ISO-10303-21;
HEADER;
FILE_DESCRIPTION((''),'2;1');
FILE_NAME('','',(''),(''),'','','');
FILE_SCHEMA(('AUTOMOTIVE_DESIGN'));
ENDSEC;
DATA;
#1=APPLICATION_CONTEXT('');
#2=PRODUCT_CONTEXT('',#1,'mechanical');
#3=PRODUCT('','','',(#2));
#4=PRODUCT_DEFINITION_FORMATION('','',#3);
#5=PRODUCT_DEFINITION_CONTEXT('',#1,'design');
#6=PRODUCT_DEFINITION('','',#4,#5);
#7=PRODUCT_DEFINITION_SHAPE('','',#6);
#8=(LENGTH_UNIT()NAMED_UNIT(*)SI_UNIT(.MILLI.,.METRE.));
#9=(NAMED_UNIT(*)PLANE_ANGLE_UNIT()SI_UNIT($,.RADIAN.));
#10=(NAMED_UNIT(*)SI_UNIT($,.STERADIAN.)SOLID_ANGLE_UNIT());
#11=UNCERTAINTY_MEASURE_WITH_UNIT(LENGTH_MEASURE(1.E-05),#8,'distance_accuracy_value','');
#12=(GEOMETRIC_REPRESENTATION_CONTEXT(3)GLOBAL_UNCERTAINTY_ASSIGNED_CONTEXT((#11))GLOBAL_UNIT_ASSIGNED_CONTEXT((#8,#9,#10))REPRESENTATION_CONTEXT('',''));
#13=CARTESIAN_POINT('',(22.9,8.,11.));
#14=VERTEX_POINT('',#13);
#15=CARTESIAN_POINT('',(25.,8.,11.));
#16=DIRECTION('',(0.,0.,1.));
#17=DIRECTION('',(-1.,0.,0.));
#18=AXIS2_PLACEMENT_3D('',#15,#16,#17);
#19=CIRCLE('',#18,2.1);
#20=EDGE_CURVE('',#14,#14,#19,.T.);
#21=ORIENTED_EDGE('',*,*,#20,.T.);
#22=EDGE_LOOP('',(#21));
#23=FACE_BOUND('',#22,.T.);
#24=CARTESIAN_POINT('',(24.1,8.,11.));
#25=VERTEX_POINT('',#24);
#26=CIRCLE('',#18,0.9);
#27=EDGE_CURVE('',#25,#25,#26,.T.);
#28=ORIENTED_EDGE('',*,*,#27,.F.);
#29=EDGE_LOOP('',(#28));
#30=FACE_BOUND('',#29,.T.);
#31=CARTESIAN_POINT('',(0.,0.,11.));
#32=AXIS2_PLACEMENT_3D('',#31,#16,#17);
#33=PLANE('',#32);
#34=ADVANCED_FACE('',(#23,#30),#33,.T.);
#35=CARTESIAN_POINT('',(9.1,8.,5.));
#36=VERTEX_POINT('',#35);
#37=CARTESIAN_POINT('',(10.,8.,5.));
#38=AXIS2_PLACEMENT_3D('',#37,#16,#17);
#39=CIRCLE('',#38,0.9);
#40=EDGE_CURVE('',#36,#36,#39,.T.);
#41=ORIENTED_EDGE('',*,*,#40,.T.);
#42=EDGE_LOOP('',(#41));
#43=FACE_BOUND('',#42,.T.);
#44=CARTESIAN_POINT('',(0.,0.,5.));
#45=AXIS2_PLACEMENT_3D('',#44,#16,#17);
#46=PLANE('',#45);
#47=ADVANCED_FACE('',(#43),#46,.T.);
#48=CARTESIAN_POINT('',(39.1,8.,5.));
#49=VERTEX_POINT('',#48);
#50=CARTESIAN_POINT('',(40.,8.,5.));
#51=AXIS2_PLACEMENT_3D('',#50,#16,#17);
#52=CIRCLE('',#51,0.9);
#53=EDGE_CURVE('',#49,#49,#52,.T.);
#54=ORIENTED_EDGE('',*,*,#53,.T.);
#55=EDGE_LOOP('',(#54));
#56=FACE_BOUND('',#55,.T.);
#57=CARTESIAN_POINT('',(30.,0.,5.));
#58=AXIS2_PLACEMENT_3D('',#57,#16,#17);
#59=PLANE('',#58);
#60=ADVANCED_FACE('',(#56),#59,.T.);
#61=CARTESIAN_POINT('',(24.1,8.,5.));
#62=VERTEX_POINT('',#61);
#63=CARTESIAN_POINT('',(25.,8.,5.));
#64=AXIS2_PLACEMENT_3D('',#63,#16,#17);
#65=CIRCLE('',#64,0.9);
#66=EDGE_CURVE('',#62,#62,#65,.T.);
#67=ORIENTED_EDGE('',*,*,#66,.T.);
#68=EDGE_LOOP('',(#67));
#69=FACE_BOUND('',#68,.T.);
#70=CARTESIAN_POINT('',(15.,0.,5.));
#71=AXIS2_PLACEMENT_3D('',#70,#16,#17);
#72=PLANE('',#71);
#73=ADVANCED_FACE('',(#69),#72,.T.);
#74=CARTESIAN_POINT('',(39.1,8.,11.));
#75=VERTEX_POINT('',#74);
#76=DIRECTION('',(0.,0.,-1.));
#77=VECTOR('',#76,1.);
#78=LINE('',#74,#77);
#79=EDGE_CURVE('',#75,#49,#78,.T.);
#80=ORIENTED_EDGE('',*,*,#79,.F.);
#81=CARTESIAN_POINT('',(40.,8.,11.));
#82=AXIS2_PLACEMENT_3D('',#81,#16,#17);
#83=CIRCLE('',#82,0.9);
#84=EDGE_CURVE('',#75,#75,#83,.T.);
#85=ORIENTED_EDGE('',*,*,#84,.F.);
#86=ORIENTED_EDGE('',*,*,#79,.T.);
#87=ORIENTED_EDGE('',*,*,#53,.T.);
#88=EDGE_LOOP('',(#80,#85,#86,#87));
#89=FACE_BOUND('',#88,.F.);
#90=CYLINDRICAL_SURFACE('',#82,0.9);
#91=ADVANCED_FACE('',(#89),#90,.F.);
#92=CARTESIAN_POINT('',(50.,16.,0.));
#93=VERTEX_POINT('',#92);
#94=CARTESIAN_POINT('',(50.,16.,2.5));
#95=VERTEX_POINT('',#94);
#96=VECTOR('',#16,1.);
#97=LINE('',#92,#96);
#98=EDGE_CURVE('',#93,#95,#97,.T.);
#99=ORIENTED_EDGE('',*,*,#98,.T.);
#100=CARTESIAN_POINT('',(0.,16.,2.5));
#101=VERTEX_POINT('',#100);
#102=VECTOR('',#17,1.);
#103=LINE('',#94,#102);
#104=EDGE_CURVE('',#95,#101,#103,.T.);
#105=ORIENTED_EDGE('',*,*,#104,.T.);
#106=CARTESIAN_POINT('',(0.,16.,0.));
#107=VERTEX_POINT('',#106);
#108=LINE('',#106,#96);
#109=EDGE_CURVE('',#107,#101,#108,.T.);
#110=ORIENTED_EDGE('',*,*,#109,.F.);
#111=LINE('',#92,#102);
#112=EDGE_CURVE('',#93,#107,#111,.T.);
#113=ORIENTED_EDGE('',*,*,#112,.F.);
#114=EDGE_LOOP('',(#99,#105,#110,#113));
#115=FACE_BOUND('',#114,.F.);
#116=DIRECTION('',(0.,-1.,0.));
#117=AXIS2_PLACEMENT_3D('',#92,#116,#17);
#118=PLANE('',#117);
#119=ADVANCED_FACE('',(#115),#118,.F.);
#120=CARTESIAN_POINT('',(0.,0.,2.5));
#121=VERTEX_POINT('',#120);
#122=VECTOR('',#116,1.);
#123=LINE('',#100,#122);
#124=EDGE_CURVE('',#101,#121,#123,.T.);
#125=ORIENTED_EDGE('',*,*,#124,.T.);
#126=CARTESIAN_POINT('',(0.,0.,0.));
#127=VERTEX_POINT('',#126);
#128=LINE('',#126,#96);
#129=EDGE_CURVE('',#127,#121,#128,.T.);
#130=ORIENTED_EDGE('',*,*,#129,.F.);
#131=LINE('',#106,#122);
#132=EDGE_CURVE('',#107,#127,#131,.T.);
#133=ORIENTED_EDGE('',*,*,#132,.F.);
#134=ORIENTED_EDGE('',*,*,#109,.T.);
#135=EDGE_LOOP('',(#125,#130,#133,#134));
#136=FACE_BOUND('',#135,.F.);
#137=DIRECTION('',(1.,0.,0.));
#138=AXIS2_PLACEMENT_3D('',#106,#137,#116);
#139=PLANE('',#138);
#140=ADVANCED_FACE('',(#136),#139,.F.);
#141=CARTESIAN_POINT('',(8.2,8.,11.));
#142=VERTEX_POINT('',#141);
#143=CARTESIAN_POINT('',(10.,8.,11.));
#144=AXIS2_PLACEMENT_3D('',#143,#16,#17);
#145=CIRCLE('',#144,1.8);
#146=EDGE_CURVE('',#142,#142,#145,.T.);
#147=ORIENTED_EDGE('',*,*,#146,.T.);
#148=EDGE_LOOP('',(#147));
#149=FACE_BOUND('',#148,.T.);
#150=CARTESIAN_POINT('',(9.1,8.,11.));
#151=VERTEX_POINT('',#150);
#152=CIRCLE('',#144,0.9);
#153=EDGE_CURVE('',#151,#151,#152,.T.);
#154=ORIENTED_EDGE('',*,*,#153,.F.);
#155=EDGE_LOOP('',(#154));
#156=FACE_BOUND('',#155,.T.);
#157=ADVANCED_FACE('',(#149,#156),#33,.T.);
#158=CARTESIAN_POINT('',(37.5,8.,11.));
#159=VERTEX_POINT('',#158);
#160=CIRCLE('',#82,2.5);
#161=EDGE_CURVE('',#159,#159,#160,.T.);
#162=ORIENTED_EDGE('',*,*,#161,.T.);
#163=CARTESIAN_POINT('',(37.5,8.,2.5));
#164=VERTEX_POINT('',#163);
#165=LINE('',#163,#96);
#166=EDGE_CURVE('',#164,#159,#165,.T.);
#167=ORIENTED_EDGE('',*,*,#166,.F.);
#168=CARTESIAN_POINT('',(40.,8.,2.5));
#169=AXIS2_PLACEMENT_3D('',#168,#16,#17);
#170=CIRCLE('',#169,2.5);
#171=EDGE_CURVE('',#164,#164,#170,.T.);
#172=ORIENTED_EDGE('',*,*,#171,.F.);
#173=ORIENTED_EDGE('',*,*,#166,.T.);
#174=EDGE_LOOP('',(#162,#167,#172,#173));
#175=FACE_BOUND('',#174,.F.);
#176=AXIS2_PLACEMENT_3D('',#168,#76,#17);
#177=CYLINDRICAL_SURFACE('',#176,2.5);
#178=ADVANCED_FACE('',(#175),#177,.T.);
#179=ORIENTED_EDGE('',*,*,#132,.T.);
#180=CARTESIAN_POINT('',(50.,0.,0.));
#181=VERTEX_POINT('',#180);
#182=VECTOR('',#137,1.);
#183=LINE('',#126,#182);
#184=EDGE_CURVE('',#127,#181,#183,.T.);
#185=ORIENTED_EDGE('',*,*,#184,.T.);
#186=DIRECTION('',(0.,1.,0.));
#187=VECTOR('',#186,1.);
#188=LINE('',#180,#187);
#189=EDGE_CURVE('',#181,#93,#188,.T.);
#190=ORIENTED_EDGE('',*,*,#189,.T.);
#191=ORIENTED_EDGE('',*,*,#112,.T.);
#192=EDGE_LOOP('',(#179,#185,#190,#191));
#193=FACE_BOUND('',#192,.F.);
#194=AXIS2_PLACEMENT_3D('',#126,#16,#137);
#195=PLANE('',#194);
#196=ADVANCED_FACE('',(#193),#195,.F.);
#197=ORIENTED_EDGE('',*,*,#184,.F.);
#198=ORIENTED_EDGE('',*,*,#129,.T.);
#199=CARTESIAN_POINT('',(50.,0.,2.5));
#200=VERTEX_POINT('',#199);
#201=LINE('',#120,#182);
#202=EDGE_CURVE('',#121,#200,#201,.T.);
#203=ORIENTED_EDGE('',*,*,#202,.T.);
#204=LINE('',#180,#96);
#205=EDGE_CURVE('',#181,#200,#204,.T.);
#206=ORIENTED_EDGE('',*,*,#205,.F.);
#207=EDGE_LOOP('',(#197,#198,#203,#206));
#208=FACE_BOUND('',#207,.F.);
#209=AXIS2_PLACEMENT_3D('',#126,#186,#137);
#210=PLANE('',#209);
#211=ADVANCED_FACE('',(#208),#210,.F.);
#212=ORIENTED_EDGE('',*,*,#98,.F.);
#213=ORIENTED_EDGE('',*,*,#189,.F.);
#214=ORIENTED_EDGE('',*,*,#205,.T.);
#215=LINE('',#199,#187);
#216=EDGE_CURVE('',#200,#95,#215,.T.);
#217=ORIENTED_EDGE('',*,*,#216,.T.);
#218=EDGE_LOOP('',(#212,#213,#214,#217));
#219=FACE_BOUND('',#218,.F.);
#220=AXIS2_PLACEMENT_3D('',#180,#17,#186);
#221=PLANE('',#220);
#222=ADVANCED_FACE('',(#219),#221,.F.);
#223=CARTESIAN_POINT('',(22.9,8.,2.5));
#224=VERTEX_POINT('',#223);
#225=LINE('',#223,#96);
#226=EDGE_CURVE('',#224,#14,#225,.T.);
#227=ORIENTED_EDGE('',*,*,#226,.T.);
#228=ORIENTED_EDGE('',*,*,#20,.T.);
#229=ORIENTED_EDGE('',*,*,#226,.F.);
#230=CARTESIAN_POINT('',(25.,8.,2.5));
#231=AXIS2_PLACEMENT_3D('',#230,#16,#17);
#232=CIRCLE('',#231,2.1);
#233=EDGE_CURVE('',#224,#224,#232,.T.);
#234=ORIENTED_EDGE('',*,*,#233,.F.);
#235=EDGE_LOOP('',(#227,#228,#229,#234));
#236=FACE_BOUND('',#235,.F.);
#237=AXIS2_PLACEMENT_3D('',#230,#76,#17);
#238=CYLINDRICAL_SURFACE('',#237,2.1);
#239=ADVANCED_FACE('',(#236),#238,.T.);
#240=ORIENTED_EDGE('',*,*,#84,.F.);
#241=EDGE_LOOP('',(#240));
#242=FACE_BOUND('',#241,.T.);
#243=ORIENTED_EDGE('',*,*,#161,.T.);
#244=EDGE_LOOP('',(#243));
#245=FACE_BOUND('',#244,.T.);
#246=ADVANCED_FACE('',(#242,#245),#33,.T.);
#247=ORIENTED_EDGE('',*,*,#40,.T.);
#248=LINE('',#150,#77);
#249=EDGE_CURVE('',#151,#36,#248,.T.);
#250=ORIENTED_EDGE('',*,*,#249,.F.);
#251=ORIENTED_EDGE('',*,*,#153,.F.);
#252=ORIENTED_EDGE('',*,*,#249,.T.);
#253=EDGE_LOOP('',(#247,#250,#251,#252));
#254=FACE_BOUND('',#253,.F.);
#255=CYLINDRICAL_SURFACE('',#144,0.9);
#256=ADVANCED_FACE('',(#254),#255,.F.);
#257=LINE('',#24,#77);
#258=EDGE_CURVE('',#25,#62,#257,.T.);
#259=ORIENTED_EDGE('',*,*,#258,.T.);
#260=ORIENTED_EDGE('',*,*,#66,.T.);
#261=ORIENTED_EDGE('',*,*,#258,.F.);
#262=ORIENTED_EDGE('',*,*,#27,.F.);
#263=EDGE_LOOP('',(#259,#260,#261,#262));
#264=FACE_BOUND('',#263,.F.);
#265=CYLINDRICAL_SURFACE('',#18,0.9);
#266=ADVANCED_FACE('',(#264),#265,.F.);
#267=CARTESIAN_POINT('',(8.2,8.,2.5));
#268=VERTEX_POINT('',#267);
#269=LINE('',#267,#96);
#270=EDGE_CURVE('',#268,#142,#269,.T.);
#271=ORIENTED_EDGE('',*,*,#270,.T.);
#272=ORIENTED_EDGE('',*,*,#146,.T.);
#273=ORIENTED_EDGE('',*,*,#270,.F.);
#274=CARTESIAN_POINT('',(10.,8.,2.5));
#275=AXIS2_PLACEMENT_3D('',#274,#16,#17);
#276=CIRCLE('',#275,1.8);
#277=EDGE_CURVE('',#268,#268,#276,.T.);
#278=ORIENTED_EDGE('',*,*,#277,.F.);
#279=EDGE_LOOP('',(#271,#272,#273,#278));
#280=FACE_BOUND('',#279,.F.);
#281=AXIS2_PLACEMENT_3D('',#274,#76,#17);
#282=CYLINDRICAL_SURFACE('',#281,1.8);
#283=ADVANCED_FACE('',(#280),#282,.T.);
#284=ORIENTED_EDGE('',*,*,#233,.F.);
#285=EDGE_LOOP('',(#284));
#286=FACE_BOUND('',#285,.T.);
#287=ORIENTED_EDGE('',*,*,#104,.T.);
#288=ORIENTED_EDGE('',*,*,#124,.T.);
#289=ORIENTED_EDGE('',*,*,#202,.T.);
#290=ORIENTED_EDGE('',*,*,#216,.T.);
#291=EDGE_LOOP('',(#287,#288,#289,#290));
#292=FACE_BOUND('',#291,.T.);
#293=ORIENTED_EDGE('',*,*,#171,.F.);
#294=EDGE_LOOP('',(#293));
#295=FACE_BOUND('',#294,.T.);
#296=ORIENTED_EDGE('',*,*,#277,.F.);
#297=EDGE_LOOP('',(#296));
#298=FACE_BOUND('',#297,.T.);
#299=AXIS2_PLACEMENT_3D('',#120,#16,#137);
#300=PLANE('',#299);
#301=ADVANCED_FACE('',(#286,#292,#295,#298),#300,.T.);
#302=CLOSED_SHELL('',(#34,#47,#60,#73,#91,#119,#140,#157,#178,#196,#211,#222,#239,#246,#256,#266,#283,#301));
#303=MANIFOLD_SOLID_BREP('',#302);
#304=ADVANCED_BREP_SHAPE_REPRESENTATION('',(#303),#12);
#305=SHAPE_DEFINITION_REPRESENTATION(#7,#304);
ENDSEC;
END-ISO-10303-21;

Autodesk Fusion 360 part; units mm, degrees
sketch "Esquisse1" plane through (0, 0, 0) normal (0, 0, 1) x (1, 0, 0)
  line L0 (0, 0) -> (50, 0)
  line L1 (50, 0) -> (50, 16)
  line L2 (50, 16) -> (0, 16)
  line L3 (0, 16) -> (0, 0)
  dimension "d7" = 50
  dimension "d8" = 16
extrude "Extrusion1" add sketch "Esquisse1" along normal blind 2.5
sketch "Esquisse2" plane through (0, 0, 2.5) normal (0, 0, 1) x (-1, 0, 0)
  line L0 (0, -16) -> (0, 0)
  line L1 (0, 0) -> (-50, 0)
  line L2 (-50, 0) -> (-50, -16)
  line L3 (-50, -16) -> (0, -16)
  circle A0 centre (-10, -8) radius 1.8
  dimension "d11" = 3.6
  dimension "d12" = 8
  dimension "d13" = 10
extrude "Extrusion2" add sketch "Esquisse2" along normal blind 8.5 contours A0
sketch "Esquisse3" plane through (0, 0, 2.5) normal (0, 0, 1) x (-1, 0, 0)
  circle A0 centre (-10, -8) radius 1.8
  line L0 (0, -16) -> (0, 0)
  line L1 (0, 0) -> (-50, 0)
  line L2 (-50, 0) -> (-50, -16)
  line L3 (-50, -16) -> (0, -16)
  circle A1 centre (-25, -8) radius 2.1
  dimension "d16" = 4.2
  dimension "d17" = 8
  dimension "d18" = 25
extrude "Extrusion3" add sketch "Esquisse3" along normal blind 8.5 contours A1
sketch "Esquisse4" plane through (0, 0, 2.5) normal (0, 0, 1) x (-1, 0, 0)
  circle A0 centre (-25, -8) radius 2.1
  circle A1 centre (-10, -8) radius 1.8
  line L0 (0, -16) -> (0, 0)
  line L1 (0, 0) -> (-50, 0)
  line L2 (-50, 0) -> (-50, -16)
  line L3 (-50, -16) -> (0, -16)
  circle A2 centre (-40, -8) radius 2.5
  dimension "d21" = 5
  dimension "d22" = 8
  dimension "d23" = 40
extrude "Extrusion4" add sketch "Esquisse4" along normal blind 8.5 contours A2
sketch "Esquisse5" plane through (0, 0, 11) normal (0, 0, 1) x (-1, 0, 0)
  circle A0 centre (-10, -8) radius 1.8
  circle A1 centre (-10, -8) radius 0.9
  dimension "d26" = 1.8
extrude "Extrusion5" cut sketch "Esquisse5" against normal blind 6 contours A1
pattern_linear "Réseau R1" count 3 spacing 15 along (1, 0, 0) of "Extrusion5"
equation "l_plaque = 50 mm"
equation "w_plaque = 16 mm"
equation "ep_plaque = 2.5 mm"
equation "h_plot = 8.5 mm"
equation "d_pilote = 1.8 mm"
equation "p_pilote = 6 mm"
equation "d7 = l_plaque"
equation "d8 = w_plaque"
equation "d9 = ep_plaque"
equation "d14 = h_plot"
equation "d19 = h_plot"
equation "d24 = h_plot"
equation "d26 = d_pilote"
equation "d27 = -p_pilote"
